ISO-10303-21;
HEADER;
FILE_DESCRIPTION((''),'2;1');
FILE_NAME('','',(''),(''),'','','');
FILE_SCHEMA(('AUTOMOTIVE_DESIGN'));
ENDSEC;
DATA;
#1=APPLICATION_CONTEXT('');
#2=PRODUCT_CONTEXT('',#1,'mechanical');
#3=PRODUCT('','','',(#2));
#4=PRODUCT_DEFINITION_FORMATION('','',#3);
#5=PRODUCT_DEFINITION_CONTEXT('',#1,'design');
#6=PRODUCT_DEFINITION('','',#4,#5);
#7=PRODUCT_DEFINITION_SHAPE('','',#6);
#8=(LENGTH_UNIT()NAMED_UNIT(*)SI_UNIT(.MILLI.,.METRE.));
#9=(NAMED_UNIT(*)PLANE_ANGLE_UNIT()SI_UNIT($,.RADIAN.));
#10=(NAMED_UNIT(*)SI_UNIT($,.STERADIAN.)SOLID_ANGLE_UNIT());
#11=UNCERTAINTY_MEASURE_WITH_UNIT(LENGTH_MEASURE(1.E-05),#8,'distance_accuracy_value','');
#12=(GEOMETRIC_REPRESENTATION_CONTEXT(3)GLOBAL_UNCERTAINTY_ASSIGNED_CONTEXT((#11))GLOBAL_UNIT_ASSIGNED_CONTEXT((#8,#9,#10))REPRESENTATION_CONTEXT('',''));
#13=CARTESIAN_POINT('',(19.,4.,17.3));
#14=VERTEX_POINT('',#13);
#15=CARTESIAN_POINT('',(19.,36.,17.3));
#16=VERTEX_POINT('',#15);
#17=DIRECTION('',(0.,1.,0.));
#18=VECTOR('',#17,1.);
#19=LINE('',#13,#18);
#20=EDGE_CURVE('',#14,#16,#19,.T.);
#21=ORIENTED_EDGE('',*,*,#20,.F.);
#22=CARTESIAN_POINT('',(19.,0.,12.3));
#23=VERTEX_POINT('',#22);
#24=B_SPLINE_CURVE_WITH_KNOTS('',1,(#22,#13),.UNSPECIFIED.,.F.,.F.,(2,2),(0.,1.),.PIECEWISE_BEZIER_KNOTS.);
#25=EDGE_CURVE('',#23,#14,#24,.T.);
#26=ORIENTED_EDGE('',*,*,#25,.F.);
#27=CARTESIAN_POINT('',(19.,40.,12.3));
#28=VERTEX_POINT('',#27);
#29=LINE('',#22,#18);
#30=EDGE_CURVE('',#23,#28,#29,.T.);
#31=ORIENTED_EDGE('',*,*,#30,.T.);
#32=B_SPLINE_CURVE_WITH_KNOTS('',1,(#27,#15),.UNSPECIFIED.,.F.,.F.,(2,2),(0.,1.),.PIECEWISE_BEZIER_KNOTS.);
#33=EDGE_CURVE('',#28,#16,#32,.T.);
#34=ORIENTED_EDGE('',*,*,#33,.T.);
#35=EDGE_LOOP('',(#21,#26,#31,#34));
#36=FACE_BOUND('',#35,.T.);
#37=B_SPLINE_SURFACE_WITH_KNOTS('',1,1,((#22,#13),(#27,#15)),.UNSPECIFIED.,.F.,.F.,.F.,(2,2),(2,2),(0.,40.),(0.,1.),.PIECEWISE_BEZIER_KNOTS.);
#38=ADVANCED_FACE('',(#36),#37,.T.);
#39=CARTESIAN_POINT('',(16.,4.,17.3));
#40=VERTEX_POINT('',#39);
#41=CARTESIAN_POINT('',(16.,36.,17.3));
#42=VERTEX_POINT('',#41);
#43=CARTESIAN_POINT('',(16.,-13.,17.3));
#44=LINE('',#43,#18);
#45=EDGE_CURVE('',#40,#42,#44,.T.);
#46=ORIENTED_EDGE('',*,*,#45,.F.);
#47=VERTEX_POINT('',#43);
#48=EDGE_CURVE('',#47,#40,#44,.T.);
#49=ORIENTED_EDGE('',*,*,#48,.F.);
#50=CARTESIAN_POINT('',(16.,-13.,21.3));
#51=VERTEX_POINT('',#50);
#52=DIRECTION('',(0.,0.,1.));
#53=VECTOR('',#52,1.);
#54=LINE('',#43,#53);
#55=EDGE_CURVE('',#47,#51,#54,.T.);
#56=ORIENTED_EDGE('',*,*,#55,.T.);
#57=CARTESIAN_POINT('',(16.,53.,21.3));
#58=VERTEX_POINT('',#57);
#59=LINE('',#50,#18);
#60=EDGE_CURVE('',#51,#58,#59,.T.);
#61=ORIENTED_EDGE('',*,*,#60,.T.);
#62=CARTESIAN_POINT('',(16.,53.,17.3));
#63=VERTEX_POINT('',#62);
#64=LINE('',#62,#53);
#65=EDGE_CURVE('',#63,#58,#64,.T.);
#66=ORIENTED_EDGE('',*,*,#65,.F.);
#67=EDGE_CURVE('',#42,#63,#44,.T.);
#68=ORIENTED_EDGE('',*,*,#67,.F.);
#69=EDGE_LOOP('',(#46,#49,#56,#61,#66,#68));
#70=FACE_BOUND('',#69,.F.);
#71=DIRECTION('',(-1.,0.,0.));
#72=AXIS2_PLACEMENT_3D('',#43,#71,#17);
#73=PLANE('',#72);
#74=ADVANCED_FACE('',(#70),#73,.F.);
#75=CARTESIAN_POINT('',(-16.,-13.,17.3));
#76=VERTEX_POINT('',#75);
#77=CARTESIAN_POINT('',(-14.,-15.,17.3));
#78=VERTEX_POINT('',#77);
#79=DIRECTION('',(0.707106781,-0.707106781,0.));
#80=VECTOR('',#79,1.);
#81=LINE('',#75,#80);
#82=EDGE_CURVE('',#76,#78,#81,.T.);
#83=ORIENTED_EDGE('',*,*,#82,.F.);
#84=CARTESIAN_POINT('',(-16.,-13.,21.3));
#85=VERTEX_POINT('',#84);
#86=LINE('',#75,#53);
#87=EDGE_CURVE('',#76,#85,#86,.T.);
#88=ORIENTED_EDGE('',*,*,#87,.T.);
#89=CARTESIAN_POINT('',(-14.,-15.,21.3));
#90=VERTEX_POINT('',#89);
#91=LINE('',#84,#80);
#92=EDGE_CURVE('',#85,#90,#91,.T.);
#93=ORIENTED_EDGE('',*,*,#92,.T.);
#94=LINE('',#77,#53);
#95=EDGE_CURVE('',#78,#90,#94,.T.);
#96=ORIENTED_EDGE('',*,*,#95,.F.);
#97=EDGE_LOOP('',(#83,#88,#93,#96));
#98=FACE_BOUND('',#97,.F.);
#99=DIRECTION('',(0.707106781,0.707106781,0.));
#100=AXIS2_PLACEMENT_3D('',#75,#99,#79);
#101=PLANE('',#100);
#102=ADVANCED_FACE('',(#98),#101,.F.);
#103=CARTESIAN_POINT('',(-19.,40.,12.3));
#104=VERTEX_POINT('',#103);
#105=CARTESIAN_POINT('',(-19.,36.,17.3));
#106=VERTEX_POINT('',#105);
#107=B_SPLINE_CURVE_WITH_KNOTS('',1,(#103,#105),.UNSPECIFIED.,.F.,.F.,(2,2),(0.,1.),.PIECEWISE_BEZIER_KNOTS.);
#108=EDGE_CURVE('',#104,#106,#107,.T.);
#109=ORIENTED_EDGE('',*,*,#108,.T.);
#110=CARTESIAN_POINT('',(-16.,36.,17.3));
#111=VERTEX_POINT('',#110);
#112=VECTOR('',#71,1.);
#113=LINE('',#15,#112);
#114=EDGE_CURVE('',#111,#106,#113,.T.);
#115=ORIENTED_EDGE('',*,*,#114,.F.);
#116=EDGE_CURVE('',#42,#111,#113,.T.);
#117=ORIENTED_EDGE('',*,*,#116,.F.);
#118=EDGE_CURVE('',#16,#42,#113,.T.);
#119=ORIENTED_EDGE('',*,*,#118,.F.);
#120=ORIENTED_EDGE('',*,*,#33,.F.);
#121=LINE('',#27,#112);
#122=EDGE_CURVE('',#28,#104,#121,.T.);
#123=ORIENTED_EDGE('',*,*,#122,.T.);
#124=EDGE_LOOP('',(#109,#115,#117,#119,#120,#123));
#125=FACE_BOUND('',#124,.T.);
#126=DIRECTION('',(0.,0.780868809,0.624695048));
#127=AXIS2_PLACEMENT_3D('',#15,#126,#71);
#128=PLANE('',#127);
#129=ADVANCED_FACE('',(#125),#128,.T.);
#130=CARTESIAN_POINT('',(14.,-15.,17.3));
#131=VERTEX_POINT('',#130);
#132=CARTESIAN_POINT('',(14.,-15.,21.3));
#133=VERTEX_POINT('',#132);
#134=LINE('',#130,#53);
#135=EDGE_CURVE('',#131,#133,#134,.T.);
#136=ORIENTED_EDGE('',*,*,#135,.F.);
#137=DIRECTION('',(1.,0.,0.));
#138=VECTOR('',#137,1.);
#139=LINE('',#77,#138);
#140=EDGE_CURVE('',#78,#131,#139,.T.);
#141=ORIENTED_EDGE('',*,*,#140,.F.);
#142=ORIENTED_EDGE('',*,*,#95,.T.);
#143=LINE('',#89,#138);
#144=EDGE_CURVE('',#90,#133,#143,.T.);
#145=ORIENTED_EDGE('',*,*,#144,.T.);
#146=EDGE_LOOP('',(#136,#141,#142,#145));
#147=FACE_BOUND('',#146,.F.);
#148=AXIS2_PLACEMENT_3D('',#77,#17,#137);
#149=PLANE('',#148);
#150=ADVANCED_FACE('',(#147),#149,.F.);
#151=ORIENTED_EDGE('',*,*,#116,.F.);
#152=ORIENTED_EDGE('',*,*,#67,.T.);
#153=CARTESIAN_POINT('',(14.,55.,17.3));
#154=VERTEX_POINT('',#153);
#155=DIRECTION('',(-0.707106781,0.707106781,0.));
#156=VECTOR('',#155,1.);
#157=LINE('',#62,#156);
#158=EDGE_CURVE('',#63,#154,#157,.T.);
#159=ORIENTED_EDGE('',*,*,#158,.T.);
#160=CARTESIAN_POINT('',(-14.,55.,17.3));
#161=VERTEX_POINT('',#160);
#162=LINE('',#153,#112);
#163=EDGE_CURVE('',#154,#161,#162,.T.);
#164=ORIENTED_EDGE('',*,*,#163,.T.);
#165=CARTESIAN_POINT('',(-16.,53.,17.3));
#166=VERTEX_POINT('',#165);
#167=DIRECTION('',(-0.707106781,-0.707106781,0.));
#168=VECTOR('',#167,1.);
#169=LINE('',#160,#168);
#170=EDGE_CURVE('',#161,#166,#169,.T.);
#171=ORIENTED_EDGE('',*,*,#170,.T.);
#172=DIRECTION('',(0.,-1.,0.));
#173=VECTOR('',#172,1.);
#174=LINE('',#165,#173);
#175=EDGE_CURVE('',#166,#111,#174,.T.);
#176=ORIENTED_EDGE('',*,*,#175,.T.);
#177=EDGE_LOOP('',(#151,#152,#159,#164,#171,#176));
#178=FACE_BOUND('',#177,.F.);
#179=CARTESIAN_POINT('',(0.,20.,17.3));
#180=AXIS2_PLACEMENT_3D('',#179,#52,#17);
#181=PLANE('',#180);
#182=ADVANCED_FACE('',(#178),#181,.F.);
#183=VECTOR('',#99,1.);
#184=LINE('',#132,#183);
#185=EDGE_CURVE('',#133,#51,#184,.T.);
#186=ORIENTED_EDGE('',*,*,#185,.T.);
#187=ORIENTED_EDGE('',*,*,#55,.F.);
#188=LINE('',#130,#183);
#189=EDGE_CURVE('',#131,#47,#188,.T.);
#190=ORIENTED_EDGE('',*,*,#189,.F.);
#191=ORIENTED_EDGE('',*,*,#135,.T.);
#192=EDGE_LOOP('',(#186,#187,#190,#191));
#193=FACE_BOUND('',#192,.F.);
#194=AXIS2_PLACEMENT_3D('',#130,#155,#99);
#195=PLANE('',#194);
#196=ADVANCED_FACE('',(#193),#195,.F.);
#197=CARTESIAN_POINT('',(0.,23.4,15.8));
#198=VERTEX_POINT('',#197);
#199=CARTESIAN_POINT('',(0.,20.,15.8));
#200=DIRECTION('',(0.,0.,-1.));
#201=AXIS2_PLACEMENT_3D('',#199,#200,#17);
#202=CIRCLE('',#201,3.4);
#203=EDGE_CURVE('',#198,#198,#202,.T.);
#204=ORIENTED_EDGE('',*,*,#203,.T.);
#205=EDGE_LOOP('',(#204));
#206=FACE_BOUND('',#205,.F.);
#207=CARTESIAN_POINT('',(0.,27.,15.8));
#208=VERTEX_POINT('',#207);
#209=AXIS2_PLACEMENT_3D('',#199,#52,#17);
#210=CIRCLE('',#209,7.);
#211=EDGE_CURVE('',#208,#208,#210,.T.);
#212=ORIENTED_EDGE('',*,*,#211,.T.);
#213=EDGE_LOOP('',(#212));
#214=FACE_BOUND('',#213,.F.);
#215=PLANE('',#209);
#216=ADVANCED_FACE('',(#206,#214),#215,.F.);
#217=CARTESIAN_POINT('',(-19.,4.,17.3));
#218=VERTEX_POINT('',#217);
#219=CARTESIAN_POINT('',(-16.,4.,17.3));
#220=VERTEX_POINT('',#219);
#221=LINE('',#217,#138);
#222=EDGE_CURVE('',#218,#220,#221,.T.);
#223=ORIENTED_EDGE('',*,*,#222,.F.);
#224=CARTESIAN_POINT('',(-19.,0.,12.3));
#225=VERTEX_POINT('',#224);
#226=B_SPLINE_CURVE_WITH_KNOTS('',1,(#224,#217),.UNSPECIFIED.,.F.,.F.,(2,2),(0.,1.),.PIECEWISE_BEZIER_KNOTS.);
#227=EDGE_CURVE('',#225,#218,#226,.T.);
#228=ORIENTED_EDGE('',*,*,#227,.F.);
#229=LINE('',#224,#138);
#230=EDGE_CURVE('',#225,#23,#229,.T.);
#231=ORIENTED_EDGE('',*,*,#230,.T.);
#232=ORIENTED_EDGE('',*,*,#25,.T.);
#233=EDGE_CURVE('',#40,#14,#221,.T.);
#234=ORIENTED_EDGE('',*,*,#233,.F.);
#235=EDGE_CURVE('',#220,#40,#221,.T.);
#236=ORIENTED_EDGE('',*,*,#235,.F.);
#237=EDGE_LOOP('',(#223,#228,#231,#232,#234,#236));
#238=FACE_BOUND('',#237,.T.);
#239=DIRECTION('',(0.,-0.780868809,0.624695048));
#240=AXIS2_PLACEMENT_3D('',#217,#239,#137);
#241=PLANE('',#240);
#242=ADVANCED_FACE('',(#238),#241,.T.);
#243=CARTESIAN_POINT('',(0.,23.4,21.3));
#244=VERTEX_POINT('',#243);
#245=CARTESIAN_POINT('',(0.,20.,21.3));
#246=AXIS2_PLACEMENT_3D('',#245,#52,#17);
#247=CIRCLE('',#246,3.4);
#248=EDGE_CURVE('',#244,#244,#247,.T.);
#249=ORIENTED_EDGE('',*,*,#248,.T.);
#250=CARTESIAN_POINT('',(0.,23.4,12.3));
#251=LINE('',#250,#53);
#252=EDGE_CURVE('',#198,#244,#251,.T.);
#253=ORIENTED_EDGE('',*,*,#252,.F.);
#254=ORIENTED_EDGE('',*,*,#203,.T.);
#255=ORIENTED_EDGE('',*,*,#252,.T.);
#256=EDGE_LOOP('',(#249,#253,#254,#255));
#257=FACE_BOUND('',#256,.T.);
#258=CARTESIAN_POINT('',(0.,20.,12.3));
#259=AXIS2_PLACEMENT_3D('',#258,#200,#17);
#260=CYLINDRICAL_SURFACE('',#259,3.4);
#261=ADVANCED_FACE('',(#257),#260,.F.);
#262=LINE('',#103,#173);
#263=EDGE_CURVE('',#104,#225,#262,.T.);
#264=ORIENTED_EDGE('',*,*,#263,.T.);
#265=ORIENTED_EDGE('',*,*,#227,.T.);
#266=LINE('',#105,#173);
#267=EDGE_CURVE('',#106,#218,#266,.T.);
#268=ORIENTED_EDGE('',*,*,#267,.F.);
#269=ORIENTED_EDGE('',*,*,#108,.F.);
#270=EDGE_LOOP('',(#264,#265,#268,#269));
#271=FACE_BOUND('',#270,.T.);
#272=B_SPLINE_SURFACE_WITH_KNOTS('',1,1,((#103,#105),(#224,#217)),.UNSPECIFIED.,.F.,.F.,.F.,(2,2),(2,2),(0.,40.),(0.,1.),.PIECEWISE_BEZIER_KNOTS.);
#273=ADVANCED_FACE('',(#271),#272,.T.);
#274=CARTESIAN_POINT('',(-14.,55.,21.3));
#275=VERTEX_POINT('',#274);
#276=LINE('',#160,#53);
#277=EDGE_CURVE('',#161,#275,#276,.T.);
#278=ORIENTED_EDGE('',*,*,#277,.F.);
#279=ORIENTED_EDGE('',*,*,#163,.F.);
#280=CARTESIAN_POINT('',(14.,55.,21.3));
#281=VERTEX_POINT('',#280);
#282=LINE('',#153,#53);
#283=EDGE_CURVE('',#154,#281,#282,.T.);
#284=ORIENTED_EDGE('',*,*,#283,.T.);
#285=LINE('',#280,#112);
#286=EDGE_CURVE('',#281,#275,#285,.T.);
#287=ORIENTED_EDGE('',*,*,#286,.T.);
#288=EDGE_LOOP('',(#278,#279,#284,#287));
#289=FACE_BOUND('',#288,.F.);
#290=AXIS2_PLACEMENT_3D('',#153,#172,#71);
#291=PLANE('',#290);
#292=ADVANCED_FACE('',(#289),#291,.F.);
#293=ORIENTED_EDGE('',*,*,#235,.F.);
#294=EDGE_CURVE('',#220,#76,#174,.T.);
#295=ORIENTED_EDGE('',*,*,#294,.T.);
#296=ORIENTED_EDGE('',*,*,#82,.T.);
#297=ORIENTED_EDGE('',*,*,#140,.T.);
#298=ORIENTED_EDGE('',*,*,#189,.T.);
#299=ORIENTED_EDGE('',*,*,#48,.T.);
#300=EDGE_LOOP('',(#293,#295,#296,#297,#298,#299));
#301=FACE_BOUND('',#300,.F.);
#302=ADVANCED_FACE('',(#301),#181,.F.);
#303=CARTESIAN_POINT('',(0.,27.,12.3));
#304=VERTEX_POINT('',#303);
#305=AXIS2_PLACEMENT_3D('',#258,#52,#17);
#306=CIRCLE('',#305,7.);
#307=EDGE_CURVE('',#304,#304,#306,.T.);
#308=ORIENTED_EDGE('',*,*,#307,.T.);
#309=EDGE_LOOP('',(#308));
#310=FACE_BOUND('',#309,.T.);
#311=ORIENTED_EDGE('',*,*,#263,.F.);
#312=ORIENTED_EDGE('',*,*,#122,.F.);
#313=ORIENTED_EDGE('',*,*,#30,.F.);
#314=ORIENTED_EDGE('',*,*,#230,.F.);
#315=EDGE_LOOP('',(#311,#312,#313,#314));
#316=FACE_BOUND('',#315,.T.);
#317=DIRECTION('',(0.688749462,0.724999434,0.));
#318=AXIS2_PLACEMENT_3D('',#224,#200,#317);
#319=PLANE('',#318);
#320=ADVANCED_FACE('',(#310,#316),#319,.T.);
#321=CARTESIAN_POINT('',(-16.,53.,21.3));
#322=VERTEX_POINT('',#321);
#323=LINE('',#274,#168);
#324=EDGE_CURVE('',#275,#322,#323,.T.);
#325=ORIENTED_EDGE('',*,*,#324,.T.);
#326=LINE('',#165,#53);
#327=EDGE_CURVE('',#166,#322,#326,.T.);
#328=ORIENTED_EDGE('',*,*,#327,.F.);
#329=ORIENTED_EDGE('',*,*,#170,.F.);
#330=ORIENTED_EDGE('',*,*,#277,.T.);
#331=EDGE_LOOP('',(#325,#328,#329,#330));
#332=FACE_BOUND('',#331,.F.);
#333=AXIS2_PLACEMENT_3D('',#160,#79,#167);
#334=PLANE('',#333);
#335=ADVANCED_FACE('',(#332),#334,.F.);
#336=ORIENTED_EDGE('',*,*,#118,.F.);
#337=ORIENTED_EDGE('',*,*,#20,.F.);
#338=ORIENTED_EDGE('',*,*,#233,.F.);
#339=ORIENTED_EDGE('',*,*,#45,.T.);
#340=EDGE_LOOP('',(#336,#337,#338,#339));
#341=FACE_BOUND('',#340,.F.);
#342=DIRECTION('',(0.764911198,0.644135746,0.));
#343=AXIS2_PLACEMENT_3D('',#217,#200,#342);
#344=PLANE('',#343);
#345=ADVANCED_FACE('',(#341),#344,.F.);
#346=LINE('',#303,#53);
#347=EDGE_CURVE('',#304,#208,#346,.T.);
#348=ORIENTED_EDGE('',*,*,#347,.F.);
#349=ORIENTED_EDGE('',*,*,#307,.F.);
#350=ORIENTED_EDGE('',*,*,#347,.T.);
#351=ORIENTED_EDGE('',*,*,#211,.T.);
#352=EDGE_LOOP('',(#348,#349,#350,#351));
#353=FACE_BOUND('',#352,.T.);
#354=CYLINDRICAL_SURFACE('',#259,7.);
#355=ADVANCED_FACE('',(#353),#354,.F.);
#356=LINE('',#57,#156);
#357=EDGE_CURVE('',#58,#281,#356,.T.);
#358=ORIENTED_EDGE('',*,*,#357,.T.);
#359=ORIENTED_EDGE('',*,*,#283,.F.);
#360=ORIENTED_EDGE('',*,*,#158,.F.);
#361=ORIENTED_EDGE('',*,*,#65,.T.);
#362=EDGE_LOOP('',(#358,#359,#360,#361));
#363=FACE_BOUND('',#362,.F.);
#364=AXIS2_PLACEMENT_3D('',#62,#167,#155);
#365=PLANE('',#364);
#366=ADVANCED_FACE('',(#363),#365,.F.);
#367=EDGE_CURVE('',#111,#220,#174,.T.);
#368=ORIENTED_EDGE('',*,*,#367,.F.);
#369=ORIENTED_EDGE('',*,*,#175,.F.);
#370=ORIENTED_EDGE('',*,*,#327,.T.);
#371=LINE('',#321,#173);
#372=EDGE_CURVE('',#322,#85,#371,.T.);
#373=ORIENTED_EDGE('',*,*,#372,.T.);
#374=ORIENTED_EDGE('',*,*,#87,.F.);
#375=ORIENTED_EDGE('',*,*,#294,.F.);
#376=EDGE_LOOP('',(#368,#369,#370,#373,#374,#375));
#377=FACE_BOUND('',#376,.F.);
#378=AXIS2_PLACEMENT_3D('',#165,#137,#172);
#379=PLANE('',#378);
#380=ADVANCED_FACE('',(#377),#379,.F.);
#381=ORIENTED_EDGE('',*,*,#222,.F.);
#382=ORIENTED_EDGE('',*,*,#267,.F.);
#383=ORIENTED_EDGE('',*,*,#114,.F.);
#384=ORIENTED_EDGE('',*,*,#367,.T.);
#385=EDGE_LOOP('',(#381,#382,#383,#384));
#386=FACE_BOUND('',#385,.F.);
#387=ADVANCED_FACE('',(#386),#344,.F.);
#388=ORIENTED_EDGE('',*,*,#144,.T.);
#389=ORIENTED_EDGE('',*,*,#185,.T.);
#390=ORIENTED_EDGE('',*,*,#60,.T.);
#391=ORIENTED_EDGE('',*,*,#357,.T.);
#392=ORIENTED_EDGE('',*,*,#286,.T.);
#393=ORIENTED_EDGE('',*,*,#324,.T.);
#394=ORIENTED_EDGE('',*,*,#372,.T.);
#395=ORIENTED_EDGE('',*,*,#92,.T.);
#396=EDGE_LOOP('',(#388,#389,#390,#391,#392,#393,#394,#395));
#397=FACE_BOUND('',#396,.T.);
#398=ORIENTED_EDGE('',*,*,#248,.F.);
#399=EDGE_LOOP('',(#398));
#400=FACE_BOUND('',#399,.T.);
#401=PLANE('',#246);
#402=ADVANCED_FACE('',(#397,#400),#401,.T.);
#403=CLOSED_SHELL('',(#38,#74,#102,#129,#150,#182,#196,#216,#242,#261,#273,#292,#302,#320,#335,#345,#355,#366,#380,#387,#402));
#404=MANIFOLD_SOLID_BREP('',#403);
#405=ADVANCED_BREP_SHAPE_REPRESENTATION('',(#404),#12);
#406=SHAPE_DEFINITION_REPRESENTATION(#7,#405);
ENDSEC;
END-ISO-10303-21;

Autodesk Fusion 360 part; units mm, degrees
ref_plane "工作平面1" through (0, 0, 17.3) normal (0, 0, 1) x (1, 0, 0)
sketch "草图1" plane through (0, 0, 17.3) normal (0, 0, 1) x (1, 0, 0)
  line L0 (-33, -16) -> (33, -16)
  line L1 (33, -16) -> (35, -14)
  line L2 (35, -14) -> (35, 14)
  line L3 (35, 14) -> (33, 16)
  line L4 (33, 16) -> (-33, 16)
  line L5 (-33, 16) -> (-35, 14)
  line L6 (-35, 14) -> (-35, -14)
  line L7 (-35, -14) -> (-33, -16)
extrude "70 x 32 camera support plate" add sketch "草图1" along normal blind 4
ref_plane "工作平面2" through (0, 0, 12.3) normal (0, 0, 1) x (1, 0, 0)
sketch "草图2" plane through (0, 0, 12.3) normal (0, 0, 1) x (1, 0, 0)
  line L0 (-20, -19) -> (20, -19)
  line L1 (20, -19) -> (20, 19)
  line L2 (20, 19) -> (-20, 19)
  line L3 (-20, 19) -> (-20, -19)
ref_plane "工作平面3" through (0, 0, 17.3) normal (0, 0, 1) x (1, 0, 0)
sketch "草图3" plane through (0, 0, 17.3) normal (0, 0, 1) x (1, 0, 0)
  line L0 (-16, -19) -> (16, -19)
  line L1 (16, -19) -> (16, 19)
  line L2 (16, 19) -> (-16, 19)
  line L3 (-16, 19) -> (-16, -19)
loft "40 to 32 mm male dovetail" add profiles "草图2", "草图3" section 1 section 2
ref_plane "工作平面4" through (0, 0, 12.3) normal (0, 0, 1) x (1, 0, 0)
sketch "草图4" plane through (0, 0, 12.3) normal (0, 0, 1) x (1, 0, 0)
  circle A0 centre (0, 0) radius 3.4
extrude "1/4 inch metal screw clearance 6.8 mm" cut sketch "草图4" along normal blind 9
ref_plane "工作平面5" through (0, 0, 12.3) normal (0, 0, 1) x (1, 0, 0)
sketch "草图5" plane through (0, 0, 12.3) normal (0, 0, 1) x (1, 0, 0)
  circle A0 centre (0, 0) radius 7
extrude "14 x 3.5 mm screw head recess" cut sketch "草图5" along normal blind 3.5
move_body "Align camera long edge with gimbal arm - 90 degrees" bodies 1 to x (0, 1, 0) y (-1, 0, 0) z (0, 0, 1) at (0, 0, 0)
move_body "Move outward toward free end 20.0 mm" bodies 1 to x (1, 0, 0) y (0, 1, 0) z (0, 0, 1) at (0, 20, 0)
